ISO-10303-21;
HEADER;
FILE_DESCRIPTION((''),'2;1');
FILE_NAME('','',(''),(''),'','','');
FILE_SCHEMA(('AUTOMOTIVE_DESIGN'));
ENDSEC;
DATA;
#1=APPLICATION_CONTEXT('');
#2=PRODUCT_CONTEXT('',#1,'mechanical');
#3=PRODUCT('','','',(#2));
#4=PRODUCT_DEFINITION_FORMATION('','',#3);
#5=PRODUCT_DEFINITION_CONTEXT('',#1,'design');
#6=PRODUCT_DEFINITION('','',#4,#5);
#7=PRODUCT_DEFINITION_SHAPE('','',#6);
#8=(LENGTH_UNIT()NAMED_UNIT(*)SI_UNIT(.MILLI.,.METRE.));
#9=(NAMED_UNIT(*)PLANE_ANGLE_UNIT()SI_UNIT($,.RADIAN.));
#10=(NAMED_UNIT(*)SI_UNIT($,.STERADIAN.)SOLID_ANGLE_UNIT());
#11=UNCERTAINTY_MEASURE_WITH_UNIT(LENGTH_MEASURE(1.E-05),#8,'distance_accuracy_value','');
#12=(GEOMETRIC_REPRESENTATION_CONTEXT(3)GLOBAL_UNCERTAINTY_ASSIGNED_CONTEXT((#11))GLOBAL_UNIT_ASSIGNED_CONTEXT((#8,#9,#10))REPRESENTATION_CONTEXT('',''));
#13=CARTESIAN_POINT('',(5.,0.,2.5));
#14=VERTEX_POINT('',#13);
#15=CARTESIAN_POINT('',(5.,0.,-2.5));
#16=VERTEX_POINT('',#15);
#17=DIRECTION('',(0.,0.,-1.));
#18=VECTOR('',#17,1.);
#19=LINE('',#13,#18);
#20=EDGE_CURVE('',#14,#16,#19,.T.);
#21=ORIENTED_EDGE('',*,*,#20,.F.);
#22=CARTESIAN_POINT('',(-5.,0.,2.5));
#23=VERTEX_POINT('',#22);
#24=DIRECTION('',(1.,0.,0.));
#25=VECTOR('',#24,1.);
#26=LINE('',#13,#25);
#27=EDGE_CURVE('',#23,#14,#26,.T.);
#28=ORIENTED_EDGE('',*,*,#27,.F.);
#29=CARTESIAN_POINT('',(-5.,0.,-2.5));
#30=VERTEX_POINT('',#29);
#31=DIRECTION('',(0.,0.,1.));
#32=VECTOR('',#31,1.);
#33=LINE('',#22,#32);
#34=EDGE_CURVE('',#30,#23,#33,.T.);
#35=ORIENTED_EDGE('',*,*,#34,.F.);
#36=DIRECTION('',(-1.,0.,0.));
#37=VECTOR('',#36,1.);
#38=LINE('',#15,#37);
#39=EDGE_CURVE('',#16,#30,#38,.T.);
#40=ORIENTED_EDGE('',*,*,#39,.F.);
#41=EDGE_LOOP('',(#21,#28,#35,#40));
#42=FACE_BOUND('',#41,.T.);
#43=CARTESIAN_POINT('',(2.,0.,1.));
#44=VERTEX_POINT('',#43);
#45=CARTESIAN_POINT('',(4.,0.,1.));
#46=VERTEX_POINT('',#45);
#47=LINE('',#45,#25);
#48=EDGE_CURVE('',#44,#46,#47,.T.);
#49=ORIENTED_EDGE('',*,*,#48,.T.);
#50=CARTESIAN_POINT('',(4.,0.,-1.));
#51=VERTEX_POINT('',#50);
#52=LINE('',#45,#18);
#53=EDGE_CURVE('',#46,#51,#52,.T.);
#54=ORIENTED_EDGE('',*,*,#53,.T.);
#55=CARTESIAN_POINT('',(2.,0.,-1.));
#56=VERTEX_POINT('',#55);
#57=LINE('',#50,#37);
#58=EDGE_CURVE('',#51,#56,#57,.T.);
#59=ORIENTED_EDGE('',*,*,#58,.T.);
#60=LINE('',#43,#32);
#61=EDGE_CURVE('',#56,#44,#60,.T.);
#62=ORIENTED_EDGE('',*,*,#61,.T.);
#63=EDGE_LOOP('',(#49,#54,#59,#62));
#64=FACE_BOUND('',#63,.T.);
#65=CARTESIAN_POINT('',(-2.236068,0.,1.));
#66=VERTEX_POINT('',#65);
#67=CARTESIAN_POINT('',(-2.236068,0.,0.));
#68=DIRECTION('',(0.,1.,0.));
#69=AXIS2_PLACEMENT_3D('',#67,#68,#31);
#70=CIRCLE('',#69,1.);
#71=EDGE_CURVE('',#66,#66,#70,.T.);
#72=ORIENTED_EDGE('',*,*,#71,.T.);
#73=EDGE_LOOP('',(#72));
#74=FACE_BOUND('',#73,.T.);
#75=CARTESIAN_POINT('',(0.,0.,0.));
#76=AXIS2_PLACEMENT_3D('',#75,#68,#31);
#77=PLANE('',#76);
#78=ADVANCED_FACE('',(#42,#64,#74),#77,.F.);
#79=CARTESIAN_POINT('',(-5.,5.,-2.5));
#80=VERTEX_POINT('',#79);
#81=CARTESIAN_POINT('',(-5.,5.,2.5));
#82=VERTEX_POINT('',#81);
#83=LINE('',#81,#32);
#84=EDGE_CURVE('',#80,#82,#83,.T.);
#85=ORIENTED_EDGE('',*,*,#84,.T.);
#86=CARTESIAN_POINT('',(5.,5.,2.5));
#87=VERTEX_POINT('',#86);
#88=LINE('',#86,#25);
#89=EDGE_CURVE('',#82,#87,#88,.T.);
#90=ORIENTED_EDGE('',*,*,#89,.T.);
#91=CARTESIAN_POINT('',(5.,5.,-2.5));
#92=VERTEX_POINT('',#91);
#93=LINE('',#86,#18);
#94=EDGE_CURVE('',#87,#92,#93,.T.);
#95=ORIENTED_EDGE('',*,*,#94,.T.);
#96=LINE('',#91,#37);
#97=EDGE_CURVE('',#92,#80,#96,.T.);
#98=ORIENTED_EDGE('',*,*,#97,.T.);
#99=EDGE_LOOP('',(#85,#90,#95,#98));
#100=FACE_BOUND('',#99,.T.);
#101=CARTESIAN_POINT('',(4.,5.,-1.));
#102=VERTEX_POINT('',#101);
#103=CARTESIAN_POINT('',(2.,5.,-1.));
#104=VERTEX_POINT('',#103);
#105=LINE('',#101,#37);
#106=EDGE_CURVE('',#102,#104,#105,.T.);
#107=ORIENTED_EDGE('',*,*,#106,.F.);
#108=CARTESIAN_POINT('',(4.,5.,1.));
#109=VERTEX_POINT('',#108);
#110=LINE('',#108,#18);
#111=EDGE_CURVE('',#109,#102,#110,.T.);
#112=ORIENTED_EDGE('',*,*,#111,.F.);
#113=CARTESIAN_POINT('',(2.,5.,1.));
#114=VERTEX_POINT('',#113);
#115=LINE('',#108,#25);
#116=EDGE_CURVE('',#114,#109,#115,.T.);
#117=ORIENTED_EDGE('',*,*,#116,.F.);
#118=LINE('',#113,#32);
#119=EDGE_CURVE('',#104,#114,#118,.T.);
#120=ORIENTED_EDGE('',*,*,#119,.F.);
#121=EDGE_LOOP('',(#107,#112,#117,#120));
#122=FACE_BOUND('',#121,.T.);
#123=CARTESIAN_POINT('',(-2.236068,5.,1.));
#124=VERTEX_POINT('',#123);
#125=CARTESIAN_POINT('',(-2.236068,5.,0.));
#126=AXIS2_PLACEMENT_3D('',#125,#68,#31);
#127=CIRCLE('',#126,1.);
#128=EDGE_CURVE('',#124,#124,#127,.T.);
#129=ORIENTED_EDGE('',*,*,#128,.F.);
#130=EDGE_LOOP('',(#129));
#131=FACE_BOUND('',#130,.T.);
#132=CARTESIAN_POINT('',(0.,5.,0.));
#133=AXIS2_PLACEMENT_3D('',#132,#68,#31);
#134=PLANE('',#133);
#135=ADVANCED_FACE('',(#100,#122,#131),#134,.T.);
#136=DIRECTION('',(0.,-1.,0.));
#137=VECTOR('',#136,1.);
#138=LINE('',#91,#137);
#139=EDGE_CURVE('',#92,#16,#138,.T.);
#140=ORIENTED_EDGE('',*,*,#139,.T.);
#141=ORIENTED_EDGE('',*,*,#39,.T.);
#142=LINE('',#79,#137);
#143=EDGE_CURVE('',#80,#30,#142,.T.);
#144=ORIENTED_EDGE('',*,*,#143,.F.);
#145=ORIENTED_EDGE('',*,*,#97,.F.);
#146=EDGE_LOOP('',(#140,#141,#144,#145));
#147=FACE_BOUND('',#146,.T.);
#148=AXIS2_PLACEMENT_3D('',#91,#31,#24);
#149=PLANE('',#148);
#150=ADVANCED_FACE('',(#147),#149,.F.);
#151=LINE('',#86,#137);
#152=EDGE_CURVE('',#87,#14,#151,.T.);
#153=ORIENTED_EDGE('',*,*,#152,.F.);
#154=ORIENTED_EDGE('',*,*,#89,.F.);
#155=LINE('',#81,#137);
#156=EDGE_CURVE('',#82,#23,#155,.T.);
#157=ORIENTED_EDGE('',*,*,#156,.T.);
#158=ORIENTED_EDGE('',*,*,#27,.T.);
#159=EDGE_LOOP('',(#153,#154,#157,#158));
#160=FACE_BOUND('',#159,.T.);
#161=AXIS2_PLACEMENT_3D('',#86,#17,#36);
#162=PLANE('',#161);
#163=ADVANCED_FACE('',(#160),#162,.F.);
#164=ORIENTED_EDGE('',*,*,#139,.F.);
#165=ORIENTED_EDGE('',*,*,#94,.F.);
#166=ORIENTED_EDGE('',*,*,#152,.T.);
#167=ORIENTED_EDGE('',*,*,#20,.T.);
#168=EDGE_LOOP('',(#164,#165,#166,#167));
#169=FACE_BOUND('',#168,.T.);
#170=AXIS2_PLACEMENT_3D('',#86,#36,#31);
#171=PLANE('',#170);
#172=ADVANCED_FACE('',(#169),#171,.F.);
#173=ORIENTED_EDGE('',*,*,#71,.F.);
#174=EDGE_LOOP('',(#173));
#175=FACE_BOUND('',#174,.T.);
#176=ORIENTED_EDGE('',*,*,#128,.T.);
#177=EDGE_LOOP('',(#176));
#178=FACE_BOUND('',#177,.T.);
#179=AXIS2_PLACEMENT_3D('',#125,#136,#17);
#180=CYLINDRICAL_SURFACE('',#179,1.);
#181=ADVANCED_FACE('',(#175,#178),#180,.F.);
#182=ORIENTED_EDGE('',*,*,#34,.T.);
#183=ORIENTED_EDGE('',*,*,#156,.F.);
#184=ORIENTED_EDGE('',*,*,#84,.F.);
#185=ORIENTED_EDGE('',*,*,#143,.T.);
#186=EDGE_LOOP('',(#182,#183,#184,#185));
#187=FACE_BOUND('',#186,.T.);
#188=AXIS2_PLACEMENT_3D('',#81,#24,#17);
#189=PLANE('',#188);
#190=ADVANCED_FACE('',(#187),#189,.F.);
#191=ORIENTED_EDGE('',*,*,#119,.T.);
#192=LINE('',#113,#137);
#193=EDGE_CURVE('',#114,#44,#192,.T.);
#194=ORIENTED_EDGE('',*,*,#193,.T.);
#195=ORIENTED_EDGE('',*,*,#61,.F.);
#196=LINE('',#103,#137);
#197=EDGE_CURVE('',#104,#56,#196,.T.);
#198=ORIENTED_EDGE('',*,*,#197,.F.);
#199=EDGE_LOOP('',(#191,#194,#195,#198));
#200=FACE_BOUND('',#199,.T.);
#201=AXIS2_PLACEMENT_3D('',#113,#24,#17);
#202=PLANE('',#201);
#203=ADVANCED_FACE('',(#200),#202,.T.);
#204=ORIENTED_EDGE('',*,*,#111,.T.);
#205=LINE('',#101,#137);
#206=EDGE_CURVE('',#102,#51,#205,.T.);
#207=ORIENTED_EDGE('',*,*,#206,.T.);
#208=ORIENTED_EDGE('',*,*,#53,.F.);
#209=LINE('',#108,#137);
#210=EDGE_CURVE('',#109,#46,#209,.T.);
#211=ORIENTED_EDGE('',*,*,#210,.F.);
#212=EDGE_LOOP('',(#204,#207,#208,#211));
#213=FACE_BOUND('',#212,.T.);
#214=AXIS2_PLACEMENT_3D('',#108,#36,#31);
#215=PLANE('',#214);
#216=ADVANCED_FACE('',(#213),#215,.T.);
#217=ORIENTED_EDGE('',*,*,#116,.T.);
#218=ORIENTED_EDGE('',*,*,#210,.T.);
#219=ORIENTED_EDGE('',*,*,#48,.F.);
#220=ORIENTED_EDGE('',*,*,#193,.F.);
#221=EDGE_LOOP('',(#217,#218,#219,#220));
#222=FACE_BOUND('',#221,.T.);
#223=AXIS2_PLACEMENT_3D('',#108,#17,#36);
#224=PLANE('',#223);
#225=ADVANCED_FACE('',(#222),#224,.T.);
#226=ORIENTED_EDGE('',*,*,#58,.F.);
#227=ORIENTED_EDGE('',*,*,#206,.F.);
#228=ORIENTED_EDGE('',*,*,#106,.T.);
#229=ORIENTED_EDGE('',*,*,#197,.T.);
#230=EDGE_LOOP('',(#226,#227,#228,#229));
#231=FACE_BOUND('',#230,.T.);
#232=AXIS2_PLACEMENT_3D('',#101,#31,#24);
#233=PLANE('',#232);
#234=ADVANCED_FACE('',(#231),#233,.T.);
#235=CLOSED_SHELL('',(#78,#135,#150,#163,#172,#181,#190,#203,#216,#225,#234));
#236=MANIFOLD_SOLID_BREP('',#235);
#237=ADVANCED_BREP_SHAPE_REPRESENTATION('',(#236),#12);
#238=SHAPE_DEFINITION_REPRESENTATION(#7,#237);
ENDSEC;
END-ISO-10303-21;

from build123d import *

# Parameters (mm, degrees)
SKETCH1_W           = 10
SKETCH1_H           = 5
SKETCH1_R           = 1
SKETCH1_W_2         = 2
SKETCH1_H_2         = 2
BOSS_EXTRUDE2_DEPTH = 5


with BuildPart() as part:
    # Sketch1 → Boss-Extrude2 (new body)
    with BuildSketch(Plane(origin=(0, 0, 0), x_dir=(1, 0, 0), z_dir=(0, 1, 0))):
        Rectangle(SKETCH1_W, SKETCH1_H)
        with Locations(Location((-2.236067977, 0, 0), (0, 0, 270))):
            Circle(SKETCH1_R, mode=Mode.SUBTRACT)
        with Locations((3, 0)):
            Rectangle(SKETCH1_W_2, SKETCH1_H_2, mode=Mode.SUBTRACT)
    extrude(amount=BOSS_EXTRUDE2_DEPTH)


solid = part.part
